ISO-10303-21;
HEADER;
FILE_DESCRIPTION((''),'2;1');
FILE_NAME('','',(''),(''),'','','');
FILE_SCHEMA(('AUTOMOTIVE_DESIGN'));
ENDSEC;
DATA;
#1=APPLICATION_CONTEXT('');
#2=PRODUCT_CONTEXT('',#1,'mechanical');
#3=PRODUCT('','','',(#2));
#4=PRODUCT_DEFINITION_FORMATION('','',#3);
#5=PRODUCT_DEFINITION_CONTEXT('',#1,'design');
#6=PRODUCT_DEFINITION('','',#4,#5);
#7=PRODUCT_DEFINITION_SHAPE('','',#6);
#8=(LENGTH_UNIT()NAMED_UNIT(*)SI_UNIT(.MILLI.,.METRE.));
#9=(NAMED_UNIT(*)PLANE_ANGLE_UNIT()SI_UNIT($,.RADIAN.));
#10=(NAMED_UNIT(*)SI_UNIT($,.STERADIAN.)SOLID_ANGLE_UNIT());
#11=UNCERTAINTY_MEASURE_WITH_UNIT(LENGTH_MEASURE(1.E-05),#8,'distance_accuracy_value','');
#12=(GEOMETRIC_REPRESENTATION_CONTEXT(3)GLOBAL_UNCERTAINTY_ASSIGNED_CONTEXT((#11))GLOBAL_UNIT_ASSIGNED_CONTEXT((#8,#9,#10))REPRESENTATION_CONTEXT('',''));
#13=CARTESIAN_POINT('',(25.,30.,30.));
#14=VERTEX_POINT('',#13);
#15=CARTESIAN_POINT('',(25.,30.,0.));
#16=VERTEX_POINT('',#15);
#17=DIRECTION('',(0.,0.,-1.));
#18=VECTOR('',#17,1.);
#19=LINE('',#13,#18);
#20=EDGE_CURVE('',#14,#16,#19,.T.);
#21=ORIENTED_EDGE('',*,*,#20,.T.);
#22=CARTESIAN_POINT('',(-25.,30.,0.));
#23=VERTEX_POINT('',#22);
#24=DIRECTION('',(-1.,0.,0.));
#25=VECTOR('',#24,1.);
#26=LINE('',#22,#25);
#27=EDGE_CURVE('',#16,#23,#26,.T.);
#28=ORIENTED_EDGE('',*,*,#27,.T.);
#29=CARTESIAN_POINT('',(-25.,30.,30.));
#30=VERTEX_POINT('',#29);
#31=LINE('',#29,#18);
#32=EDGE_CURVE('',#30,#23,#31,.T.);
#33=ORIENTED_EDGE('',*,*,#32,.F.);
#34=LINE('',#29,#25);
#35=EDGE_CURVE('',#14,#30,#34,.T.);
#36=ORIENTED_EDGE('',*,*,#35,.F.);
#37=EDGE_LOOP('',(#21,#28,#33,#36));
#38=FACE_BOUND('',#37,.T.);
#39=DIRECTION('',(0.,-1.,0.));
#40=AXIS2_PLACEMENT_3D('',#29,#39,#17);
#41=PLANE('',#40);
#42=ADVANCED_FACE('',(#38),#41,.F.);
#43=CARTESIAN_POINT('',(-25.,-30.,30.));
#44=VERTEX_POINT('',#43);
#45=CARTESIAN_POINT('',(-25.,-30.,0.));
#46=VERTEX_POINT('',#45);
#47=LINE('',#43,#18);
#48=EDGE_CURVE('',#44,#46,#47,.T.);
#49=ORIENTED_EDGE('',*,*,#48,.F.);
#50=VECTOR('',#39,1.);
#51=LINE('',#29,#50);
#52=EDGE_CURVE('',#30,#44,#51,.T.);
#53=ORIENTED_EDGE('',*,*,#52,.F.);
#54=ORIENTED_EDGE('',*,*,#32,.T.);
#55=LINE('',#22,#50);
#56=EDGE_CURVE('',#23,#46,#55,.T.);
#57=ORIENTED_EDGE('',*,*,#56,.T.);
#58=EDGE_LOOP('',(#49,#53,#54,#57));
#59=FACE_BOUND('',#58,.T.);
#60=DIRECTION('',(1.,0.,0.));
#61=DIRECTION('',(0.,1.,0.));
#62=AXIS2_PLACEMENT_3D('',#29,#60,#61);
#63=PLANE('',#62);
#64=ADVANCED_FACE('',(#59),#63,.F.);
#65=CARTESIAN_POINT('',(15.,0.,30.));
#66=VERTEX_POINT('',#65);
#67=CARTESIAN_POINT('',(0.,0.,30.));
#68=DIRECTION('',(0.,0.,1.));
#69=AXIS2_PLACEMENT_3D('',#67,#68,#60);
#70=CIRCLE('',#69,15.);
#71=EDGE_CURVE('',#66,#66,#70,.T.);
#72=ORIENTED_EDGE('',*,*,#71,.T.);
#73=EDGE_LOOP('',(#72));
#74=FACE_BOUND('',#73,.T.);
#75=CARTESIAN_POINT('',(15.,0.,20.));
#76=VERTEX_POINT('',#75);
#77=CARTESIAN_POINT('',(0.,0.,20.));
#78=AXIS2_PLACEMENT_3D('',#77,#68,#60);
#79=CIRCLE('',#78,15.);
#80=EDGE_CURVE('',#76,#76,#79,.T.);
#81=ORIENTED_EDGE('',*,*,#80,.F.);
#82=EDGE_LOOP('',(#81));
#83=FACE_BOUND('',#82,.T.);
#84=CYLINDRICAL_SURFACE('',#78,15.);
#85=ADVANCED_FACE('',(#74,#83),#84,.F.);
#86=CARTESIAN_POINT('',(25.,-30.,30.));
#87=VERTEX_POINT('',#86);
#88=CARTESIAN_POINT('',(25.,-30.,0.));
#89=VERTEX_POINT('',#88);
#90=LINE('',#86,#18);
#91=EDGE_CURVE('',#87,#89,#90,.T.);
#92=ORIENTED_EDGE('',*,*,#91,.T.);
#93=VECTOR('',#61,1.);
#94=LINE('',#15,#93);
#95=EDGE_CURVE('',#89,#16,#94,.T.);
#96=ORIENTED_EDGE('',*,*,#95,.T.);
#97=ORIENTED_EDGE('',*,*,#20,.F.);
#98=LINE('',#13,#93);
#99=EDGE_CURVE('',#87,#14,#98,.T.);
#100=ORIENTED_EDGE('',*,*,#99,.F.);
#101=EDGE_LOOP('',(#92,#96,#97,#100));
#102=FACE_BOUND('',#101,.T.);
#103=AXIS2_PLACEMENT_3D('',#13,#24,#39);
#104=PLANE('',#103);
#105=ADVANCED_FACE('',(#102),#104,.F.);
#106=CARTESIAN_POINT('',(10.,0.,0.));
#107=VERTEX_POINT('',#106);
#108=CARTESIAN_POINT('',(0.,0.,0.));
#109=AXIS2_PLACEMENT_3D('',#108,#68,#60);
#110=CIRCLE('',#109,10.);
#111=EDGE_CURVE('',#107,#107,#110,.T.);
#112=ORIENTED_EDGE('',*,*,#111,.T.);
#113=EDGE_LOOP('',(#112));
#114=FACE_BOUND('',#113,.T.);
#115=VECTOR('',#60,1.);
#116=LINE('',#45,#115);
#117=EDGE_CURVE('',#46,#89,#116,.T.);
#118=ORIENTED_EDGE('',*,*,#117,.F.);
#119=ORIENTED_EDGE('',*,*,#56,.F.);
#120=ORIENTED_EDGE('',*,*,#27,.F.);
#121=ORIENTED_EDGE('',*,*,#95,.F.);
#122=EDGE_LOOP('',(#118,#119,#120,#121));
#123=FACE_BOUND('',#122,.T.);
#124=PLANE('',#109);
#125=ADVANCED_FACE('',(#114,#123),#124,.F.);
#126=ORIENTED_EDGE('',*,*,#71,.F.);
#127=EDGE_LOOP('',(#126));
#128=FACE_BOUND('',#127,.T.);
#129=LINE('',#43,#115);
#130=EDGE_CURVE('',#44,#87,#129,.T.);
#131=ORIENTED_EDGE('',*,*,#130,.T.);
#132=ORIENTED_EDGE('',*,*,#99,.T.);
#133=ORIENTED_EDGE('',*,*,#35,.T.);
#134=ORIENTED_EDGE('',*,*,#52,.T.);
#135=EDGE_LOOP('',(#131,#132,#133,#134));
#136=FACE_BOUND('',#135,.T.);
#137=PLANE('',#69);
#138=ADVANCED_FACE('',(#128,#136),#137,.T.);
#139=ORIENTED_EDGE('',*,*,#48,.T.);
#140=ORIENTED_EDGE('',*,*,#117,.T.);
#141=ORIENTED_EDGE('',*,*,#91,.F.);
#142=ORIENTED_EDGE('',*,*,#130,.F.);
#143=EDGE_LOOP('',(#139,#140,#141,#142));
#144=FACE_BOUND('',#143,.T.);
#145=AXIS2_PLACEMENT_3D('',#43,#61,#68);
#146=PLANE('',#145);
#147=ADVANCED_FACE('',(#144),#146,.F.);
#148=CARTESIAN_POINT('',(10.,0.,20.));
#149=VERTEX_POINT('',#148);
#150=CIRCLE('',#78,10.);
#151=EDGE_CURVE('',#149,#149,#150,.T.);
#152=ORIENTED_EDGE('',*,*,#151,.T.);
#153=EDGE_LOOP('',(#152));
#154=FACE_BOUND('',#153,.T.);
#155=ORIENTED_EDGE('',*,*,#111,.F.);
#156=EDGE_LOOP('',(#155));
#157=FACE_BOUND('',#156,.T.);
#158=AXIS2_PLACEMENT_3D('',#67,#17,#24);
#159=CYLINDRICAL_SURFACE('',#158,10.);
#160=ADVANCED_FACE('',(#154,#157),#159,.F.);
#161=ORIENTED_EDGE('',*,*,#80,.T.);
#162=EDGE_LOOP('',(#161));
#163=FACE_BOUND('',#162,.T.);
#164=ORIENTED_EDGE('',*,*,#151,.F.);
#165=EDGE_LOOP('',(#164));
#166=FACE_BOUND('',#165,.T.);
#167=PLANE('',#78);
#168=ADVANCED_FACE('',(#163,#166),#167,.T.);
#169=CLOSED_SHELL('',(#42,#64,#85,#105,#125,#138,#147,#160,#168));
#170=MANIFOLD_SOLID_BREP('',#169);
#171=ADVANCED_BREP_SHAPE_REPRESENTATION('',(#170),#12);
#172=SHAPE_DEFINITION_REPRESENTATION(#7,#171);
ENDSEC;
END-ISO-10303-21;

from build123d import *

# Parameters (mm, degrees)
ESQUISSE1_W             = 50
ESQUISSE1_H             = 60
ESQUISSE1_R             = 10
BOSS_EXTRU_1_DEPTH      = 30
ESQUISSE2_R             = 15
ENL_V_MAT_EXTRU_1_DEPTH = 10


with BuildPart() as part:
    # Esquisse1 → Boss.-Extru.1 (new body)
    with BuildSketch(Plane.XY):
        Rectangle(ESQUISSE1_W, ESQUISSE1_H)
        Circle(ESQUISSE1_R, mode=Mode.SUBTRACT)
    extrude(amount=BOSS_EXTRU_1_DEPTH)

    # Esquisse2 → Enlèv. mat.-Extru.1 (cut)
    with BuildSketch(Plane.XY.offset(30)):
        Circle(ESQUISSE2_R)
    extrude(amount=-ENL_V_MAT_EXTRU_1_DEPTH, mode=Mode.SUBTRACT)


solid = part.part
